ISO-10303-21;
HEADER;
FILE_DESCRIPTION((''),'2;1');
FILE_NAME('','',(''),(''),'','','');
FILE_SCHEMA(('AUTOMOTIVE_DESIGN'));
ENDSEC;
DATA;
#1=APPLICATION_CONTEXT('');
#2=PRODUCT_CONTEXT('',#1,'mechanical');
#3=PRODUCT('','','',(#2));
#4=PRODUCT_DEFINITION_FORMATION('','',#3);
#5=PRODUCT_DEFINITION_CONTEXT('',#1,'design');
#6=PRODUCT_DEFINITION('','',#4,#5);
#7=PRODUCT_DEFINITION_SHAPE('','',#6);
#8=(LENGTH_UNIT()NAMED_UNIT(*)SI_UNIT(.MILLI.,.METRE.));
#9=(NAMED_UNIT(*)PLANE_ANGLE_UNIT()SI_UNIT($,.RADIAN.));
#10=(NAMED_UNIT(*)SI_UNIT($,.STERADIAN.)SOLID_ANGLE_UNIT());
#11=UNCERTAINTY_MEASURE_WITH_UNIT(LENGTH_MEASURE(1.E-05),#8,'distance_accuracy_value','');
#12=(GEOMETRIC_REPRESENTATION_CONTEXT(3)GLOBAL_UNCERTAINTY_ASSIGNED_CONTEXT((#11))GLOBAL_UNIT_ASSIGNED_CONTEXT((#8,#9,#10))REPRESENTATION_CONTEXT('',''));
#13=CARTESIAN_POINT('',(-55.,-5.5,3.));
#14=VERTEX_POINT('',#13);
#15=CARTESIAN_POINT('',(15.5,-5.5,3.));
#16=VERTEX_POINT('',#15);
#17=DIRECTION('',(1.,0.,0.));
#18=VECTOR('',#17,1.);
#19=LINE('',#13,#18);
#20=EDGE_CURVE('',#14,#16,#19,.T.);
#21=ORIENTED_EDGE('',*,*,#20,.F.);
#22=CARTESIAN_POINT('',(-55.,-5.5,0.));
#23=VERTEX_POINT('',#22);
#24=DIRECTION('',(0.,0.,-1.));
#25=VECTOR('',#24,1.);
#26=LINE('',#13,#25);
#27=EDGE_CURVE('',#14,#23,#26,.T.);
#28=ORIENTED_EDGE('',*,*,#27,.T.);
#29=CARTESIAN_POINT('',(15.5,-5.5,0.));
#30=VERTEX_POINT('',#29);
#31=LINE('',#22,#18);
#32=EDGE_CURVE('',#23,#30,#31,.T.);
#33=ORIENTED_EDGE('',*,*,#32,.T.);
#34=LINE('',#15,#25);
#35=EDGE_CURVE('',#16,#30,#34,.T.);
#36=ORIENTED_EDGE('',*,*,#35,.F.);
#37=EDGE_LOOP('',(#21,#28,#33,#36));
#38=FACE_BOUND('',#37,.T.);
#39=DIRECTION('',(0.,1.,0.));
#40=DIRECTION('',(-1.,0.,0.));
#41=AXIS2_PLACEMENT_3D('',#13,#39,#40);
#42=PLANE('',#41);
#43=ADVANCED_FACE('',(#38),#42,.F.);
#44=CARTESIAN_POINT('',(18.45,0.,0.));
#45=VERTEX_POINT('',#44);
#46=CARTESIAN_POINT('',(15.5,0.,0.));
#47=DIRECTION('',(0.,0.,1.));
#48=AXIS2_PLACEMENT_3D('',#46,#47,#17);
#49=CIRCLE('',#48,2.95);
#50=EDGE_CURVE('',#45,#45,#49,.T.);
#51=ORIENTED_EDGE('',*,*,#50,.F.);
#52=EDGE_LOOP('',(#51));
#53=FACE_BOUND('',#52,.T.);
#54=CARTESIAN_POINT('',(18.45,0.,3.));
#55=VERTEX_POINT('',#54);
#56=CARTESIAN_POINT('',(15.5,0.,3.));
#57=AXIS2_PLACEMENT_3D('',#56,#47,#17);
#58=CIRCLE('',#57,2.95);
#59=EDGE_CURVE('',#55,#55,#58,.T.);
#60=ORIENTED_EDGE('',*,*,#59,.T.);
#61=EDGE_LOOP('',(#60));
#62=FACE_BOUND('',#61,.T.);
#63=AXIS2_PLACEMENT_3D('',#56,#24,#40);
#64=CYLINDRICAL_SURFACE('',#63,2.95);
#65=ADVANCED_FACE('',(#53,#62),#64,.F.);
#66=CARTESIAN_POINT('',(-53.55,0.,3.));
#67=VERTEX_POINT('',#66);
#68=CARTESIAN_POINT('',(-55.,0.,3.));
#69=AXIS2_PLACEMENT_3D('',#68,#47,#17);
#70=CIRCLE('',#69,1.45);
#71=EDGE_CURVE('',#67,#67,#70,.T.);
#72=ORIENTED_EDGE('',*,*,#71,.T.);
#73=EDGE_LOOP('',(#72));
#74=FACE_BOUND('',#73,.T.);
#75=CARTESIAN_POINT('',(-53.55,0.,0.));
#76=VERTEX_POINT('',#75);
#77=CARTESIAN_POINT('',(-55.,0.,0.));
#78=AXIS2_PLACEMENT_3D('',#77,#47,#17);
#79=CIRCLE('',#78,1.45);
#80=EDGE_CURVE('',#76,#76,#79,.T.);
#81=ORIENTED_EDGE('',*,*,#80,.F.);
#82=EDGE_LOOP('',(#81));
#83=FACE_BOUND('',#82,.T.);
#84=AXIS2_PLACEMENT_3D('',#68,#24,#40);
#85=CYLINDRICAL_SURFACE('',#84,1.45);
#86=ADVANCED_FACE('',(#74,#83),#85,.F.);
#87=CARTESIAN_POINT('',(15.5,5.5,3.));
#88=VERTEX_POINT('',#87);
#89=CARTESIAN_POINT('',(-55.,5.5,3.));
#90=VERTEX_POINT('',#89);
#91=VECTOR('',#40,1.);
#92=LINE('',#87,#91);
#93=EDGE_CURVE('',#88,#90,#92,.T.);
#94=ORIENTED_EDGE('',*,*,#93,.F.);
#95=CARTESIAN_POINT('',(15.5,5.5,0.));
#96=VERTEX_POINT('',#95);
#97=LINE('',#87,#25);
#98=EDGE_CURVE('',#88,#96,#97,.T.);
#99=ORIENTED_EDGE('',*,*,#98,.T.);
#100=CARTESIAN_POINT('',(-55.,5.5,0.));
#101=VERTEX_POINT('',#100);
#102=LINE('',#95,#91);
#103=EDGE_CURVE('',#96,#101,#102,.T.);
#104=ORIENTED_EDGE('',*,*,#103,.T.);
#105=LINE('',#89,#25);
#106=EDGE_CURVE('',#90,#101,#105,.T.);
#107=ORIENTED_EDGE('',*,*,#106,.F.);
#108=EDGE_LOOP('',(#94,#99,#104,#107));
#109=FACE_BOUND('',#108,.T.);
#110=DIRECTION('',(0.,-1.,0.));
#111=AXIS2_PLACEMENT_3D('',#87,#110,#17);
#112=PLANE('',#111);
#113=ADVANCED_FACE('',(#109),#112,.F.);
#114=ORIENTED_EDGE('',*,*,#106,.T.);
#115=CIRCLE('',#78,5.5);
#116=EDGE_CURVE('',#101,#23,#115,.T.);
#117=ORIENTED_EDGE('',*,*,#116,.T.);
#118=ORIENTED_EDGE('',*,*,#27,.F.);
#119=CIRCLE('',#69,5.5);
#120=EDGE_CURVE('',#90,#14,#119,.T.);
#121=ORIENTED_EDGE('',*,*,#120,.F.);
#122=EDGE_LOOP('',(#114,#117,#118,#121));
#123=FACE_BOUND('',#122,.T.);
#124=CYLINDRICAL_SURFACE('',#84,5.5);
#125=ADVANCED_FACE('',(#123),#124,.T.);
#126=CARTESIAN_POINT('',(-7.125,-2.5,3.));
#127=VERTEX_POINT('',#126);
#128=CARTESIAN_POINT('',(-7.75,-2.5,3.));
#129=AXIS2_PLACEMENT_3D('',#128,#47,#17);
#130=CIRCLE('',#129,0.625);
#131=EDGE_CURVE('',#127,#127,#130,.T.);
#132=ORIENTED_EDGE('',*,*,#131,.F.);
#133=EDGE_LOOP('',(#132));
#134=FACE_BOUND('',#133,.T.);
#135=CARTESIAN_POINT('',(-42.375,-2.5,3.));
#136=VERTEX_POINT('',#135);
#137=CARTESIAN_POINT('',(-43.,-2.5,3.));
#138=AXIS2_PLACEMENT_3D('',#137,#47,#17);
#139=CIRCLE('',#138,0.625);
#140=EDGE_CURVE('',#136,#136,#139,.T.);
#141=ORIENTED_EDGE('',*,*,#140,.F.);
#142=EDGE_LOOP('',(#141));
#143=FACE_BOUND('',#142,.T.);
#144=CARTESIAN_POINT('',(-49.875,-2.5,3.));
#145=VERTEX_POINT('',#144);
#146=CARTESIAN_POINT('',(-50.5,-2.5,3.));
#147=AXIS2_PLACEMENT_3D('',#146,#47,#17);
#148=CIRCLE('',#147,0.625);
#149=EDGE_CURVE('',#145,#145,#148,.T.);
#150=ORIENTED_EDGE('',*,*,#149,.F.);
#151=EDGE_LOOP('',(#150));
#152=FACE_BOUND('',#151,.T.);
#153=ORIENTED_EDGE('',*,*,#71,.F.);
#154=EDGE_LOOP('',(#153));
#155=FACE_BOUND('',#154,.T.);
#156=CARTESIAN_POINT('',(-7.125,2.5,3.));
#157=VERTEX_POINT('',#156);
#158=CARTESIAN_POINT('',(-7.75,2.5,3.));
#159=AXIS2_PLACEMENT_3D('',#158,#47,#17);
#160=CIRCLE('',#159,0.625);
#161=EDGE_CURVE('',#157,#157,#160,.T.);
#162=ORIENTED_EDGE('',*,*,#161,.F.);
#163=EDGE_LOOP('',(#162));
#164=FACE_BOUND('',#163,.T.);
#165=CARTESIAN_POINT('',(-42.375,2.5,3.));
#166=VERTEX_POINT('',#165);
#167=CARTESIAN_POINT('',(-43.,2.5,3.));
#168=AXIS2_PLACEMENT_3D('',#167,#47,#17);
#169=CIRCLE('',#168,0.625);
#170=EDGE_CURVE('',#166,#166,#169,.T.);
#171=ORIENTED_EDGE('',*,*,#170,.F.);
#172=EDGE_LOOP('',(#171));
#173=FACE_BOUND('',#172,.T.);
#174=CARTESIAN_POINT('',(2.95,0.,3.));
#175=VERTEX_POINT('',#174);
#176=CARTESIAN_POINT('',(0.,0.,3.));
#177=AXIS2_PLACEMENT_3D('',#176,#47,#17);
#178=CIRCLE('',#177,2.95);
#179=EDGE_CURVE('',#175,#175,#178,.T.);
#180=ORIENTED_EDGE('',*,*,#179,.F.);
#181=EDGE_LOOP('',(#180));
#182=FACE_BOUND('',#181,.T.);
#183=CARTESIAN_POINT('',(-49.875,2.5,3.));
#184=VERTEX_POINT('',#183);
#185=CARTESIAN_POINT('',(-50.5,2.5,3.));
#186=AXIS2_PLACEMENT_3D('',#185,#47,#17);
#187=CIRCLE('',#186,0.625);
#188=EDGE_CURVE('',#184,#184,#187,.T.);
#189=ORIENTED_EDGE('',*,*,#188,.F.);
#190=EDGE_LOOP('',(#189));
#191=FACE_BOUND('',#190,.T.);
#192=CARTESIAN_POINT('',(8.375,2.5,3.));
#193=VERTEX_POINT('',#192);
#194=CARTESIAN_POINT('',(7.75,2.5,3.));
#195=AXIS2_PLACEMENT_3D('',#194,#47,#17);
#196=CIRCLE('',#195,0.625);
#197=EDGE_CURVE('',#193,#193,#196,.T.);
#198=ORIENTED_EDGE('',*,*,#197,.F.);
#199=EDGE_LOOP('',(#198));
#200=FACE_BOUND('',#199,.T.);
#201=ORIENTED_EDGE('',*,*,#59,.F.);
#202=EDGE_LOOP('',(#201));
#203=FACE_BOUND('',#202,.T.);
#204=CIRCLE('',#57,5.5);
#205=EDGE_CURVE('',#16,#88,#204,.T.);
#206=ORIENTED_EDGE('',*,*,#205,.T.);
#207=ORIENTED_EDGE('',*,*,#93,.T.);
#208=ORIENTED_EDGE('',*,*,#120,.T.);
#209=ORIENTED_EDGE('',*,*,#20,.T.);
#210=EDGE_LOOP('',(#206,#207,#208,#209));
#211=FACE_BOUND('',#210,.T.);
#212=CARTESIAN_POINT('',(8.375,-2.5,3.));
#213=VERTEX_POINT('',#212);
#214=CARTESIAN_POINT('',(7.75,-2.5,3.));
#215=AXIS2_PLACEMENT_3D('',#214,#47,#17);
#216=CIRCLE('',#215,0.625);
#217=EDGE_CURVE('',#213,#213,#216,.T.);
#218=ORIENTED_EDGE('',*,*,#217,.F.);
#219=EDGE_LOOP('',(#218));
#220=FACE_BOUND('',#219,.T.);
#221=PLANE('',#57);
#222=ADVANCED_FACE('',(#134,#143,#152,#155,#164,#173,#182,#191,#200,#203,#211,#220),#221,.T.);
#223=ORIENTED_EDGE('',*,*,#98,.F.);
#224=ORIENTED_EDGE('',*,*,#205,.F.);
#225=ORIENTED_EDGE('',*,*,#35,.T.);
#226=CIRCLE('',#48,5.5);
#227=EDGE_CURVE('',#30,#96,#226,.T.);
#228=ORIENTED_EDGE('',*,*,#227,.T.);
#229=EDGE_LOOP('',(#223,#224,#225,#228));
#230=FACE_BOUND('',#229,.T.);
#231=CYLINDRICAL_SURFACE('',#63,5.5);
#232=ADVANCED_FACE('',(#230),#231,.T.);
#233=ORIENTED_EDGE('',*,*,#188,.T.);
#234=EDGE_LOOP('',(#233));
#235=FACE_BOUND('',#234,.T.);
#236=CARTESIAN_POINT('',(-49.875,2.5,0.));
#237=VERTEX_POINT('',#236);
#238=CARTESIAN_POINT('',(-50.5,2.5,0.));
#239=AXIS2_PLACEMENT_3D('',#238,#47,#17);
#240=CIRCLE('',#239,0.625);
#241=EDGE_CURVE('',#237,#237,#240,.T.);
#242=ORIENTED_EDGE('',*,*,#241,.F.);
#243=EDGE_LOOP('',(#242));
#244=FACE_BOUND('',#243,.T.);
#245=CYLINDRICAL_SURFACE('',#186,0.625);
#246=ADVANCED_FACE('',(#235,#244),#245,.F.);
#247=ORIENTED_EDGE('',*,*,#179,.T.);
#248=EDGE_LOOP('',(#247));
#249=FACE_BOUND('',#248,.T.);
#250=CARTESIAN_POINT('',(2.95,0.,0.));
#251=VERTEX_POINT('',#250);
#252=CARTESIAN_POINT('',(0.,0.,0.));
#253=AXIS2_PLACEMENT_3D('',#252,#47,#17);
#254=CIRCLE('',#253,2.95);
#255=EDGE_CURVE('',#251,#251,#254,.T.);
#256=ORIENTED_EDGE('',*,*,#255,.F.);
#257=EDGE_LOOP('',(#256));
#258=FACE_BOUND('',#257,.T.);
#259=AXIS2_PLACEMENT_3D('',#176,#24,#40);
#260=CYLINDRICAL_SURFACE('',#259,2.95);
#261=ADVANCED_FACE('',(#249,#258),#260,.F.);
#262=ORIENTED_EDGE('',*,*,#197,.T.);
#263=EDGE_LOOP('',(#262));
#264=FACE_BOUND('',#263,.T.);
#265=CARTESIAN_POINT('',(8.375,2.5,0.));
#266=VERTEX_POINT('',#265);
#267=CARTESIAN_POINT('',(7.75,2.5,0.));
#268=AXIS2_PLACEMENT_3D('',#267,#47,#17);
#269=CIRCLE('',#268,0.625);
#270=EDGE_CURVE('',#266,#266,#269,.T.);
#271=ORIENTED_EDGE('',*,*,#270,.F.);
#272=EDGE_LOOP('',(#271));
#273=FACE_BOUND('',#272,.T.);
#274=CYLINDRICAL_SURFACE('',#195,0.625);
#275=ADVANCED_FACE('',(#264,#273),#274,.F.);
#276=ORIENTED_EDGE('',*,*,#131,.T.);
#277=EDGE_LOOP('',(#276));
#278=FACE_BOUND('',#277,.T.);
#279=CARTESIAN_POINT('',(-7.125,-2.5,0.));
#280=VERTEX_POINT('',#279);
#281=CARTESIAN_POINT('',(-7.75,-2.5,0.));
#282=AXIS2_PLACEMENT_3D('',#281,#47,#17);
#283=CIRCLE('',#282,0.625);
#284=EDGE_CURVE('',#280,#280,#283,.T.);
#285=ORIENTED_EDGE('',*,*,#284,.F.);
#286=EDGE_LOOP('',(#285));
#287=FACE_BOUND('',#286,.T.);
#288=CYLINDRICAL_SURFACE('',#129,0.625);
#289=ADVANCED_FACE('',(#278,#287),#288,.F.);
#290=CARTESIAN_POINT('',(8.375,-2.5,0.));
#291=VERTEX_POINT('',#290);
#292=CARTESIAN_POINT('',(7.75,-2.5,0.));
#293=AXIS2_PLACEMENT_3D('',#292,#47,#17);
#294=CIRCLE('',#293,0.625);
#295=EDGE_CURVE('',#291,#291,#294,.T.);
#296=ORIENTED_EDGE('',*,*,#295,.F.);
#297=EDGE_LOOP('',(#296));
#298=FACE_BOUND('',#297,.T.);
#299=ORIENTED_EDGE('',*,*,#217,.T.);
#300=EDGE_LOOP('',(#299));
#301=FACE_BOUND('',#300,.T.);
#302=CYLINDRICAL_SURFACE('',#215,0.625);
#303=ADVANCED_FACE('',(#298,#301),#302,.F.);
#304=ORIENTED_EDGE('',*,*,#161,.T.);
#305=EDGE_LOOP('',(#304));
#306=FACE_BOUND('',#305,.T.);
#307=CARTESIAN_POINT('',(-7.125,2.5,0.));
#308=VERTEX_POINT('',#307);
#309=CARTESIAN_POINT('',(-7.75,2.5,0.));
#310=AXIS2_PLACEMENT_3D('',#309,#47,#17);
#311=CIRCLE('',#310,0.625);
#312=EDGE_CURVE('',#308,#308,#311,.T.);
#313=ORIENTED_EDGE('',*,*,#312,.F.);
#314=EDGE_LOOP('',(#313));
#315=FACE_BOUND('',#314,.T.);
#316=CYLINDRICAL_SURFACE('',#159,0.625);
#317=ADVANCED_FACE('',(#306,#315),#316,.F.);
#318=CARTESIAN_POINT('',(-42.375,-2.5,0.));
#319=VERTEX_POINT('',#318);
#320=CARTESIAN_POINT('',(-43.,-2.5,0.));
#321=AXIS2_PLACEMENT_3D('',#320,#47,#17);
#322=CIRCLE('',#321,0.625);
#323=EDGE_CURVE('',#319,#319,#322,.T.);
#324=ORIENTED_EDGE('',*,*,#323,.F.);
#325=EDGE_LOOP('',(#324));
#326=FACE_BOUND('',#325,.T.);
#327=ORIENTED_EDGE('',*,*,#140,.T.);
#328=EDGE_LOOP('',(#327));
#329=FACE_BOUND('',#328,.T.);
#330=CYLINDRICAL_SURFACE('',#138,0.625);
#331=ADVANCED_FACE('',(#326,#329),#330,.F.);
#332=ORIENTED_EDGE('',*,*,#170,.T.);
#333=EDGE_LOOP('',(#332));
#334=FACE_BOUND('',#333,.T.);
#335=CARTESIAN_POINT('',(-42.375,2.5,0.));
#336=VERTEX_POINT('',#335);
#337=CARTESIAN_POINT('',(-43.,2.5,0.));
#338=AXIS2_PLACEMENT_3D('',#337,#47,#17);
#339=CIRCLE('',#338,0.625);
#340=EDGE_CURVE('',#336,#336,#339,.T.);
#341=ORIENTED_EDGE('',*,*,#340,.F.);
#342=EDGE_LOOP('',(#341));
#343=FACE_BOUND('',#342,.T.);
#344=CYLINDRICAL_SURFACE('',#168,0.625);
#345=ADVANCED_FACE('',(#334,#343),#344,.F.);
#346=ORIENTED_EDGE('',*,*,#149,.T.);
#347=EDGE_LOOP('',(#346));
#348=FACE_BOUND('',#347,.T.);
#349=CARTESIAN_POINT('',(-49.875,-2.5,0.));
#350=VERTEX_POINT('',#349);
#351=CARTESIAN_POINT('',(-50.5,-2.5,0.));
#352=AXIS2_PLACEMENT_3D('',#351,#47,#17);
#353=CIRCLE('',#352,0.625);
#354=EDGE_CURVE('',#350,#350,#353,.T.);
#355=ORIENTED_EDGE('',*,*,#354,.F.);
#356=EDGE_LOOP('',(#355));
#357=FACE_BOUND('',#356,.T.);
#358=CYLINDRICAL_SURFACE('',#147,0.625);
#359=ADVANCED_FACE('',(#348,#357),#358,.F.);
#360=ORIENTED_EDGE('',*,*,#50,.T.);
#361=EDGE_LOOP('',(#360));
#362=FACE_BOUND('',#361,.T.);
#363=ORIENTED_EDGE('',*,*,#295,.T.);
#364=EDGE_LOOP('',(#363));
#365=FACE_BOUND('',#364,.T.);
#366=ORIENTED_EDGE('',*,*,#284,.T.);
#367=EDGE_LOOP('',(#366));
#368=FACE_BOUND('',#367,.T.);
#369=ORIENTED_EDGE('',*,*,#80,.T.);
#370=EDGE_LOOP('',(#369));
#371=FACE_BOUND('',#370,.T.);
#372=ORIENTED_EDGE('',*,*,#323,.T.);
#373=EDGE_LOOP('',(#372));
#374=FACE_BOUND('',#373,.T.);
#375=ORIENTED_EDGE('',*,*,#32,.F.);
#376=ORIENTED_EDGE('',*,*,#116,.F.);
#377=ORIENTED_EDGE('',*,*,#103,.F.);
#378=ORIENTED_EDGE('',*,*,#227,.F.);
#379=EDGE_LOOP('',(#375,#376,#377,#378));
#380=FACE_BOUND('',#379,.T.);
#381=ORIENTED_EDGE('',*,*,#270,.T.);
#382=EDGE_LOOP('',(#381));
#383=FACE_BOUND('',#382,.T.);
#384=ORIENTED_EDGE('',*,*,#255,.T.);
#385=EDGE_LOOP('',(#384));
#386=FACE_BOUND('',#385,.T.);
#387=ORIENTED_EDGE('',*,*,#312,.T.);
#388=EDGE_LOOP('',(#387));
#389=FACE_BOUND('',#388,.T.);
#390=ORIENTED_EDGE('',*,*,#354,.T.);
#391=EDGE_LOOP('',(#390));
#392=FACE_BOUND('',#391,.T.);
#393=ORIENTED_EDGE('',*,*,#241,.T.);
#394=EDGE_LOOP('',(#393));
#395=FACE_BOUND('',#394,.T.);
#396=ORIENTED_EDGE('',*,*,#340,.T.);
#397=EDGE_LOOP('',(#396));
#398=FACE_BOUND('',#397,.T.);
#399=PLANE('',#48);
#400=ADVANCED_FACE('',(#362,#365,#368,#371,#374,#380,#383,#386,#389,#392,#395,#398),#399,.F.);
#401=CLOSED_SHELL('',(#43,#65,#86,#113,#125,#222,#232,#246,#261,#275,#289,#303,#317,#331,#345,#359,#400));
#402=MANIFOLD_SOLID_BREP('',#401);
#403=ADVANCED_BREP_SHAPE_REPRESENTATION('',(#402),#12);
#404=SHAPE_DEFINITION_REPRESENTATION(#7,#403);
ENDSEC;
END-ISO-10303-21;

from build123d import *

# Parameters (mm, degrees)
SKETCH1_R           = 1.45
SKETCH1_R_2         = 2.95
BOSS_EXTRUDE1_DEPTH = 3
TROU_TARAUD_M1_61_D = 1.25


with BuildPart() as part:
    # Sketch1 → Boss-Extrude1 (new body)
    with BuildSketch(Plane.XY):
        with BuildLine():
            Line((15.5, 5.5), (-55, 5.5))
            ThreePointArc((-55, 5.5), (-60.5, 0), (-55, -5.5))
            Line((-55, -5.5), (15.5, -5.5))
            ThreePointArc((15.5, -5.5), (21, 0), (15.5, 5.5))
        make_face()
        with Locations((-55, 0)):
            Circle(SKETCH1_R, mode=Mode.SUBTRACT)
        Circle(SKETCH1_R_2, mode=Mode.SUBTRACT)
        with Locations((15.5, 0)):
            Circle(SKETCH1_R_2, mode=Mode.SUBTRACT)
    extrude(amount=BOSS_EXTRUDE1_DEPTH)

    # Trou taraudé M1.61 (through all)
    with Locations(Plane.XY.offset(3)):
        with Locations((7.75, 2.5), (-7.75, 2.5), (-50.5, 2.5), (-43, 2.5)):
            trou_taraud_m1_61 = Hole(TROU_TARAUD_M1_61_D / 2)

    # Mirror1: Trou taraudé M1.61 across plane
    add(trou_taraud_m1_61.mirror(Plane.ZX), mode=Mode.SUBTRACT)


solid = part.part
